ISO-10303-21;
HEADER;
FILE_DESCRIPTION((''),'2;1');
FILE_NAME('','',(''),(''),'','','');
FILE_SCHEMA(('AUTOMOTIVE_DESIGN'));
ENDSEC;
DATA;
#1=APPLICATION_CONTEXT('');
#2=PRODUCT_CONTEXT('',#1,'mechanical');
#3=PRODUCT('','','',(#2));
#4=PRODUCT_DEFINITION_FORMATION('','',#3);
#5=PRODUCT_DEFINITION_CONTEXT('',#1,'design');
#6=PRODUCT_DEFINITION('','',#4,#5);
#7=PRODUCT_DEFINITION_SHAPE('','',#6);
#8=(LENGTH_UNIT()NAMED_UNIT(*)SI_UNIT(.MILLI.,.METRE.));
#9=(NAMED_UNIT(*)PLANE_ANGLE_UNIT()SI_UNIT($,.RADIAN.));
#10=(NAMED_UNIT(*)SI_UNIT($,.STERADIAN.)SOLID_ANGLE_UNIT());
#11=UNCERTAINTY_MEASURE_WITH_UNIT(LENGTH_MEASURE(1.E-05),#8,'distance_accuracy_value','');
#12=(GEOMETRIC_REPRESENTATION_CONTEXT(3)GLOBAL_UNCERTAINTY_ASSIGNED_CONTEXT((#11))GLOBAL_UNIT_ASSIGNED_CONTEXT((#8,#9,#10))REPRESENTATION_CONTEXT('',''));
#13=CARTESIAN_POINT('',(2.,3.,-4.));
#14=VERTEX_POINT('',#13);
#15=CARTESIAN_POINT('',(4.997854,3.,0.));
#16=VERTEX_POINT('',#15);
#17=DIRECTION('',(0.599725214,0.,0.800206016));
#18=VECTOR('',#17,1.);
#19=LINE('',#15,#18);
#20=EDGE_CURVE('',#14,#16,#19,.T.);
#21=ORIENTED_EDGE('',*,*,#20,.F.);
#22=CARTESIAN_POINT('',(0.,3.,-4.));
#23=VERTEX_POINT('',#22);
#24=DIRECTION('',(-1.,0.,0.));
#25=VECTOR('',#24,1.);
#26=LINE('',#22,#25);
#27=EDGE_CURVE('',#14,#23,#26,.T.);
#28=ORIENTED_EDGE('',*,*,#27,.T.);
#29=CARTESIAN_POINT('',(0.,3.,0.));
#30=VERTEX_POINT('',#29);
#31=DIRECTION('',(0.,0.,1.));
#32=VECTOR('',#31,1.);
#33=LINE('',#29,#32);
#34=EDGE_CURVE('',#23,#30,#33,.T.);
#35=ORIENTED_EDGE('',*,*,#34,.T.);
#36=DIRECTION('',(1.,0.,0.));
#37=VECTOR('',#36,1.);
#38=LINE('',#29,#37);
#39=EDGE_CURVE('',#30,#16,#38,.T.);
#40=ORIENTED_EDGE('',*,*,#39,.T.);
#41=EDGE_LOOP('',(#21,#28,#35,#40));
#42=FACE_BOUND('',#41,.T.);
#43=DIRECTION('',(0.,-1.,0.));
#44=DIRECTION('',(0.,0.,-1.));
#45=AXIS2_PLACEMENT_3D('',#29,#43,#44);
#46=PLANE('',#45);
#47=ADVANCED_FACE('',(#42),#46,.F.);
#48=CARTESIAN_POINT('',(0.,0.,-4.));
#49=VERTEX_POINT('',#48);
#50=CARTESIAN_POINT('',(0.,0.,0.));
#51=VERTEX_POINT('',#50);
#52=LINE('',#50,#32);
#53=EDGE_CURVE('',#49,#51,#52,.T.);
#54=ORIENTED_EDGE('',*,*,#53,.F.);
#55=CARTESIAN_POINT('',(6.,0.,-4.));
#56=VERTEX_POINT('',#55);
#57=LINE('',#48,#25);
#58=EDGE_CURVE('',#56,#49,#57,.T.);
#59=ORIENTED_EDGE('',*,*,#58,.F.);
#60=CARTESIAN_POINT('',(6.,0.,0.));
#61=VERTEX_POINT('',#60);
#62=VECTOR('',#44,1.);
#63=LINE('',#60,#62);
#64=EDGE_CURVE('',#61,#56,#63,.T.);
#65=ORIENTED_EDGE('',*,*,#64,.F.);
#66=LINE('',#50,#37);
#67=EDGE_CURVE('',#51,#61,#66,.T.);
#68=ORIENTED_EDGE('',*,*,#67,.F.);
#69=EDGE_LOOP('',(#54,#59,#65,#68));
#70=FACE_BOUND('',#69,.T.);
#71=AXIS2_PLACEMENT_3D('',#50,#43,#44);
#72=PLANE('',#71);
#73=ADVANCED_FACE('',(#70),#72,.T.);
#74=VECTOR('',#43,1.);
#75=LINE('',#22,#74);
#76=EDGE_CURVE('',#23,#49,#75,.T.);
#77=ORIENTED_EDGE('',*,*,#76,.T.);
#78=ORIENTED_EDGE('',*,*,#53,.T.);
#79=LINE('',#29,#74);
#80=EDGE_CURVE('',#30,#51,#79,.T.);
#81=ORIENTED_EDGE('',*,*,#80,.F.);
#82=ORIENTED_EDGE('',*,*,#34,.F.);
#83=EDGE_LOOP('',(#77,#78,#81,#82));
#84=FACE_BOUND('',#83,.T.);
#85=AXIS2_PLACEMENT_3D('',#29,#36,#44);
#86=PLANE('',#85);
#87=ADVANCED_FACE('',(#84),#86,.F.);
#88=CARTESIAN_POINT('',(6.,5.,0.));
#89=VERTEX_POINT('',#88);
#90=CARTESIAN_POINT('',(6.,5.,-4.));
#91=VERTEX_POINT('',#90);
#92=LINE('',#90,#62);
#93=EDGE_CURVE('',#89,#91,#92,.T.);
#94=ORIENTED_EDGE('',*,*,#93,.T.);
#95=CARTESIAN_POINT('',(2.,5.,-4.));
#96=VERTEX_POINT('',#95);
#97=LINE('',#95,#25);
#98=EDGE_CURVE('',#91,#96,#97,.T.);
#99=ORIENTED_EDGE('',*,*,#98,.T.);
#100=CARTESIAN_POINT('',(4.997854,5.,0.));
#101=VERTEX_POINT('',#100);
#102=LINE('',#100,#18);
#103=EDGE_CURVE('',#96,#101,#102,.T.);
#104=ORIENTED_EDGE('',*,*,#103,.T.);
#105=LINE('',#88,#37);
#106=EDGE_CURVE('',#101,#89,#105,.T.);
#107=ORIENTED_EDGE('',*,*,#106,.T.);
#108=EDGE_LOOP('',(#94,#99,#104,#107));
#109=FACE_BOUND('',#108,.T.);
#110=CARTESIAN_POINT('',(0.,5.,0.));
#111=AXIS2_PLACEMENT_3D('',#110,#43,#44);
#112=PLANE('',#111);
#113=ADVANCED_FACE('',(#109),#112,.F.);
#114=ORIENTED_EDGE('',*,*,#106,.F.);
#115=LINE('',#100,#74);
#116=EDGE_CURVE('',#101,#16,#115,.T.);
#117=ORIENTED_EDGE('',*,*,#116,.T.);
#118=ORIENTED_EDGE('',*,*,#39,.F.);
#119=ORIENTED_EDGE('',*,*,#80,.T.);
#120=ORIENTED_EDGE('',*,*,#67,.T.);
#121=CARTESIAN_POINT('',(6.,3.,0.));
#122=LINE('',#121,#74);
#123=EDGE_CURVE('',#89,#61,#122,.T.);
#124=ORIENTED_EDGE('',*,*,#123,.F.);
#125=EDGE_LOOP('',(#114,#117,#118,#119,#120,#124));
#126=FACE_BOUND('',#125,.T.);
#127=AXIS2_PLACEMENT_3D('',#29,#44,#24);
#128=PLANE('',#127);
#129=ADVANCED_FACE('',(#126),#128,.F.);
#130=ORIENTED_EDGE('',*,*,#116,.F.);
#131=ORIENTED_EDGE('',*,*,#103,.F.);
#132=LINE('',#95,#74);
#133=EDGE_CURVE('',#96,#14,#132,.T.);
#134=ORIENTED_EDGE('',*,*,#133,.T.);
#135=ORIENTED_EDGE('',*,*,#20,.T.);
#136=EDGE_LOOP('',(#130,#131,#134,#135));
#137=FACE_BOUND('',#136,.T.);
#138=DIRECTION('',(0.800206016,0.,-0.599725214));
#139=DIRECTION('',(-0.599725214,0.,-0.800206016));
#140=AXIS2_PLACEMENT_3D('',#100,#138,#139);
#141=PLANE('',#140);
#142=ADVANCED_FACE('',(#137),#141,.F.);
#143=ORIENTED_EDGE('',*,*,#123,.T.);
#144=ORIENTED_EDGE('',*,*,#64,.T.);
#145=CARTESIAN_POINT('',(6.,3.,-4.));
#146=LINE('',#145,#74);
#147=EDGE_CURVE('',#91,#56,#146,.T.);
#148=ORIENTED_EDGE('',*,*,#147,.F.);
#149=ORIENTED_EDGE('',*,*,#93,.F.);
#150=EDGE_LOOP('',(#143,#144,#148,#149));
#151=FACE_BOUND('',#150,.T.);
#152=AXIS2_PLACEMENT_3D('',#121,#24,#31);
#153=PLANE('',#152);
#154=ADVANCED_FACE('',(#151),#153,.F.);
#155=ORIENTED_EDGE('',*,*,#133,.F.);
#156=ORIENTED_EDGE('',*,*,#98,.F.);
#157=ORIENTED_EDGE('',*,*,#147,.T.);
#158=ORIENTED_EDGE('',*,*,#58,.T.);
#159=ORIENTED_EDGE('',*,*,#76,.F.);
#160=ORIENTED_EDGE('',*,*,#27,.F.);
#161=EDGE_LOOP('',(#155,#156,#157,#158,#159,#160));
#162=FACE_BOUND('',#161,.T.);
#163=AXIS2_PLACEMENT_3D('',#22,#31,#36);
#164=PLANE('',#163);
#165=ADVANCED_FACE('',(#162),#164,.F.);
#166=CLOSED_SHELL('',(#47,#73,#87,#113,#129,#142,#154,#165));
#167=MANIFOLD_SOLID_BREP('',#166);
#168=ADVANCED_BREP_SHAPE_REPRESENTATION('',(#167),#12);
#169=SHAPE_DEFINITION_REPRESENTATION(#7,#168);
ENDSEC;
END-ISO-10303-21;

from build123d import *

# Parameters (mm, degrees)
SKETCH1_W           = 6
SKETCH1_H           = 4
BOSS_EXTRUDE1_DEPTH = 3
BOSS_EXTRUDE2_DEPTH = 2


with BuildPart() as part:
    # Sketch1 → Boss-Extrude1 (new body)
    with BuildSketch(Plane(origin=(0, 0, 0), x_dir=(1, 0, 0), z_dir=(0, 1, 0))):
        with Locations((3, 2)):
            Rectangle(SKETCH1_W, SKETCH1_H)
    extrude(amount=BOSS_EXTRUDE1_DEPTH)

    # Sketch3 → Boss-Extrude2 (add)
    with BuildSketch(Plane(origin=(0, 3, 0), x_dir=(1, 0, 0), z_dir=(0, 1, 0))):
        Polygon((6, 4), (6, 0), (4.997854063, 0), (2, 4), align=None)
    extrude(amount=BOSS_EXTRUDE2_DEPTH)


solid = part.part
